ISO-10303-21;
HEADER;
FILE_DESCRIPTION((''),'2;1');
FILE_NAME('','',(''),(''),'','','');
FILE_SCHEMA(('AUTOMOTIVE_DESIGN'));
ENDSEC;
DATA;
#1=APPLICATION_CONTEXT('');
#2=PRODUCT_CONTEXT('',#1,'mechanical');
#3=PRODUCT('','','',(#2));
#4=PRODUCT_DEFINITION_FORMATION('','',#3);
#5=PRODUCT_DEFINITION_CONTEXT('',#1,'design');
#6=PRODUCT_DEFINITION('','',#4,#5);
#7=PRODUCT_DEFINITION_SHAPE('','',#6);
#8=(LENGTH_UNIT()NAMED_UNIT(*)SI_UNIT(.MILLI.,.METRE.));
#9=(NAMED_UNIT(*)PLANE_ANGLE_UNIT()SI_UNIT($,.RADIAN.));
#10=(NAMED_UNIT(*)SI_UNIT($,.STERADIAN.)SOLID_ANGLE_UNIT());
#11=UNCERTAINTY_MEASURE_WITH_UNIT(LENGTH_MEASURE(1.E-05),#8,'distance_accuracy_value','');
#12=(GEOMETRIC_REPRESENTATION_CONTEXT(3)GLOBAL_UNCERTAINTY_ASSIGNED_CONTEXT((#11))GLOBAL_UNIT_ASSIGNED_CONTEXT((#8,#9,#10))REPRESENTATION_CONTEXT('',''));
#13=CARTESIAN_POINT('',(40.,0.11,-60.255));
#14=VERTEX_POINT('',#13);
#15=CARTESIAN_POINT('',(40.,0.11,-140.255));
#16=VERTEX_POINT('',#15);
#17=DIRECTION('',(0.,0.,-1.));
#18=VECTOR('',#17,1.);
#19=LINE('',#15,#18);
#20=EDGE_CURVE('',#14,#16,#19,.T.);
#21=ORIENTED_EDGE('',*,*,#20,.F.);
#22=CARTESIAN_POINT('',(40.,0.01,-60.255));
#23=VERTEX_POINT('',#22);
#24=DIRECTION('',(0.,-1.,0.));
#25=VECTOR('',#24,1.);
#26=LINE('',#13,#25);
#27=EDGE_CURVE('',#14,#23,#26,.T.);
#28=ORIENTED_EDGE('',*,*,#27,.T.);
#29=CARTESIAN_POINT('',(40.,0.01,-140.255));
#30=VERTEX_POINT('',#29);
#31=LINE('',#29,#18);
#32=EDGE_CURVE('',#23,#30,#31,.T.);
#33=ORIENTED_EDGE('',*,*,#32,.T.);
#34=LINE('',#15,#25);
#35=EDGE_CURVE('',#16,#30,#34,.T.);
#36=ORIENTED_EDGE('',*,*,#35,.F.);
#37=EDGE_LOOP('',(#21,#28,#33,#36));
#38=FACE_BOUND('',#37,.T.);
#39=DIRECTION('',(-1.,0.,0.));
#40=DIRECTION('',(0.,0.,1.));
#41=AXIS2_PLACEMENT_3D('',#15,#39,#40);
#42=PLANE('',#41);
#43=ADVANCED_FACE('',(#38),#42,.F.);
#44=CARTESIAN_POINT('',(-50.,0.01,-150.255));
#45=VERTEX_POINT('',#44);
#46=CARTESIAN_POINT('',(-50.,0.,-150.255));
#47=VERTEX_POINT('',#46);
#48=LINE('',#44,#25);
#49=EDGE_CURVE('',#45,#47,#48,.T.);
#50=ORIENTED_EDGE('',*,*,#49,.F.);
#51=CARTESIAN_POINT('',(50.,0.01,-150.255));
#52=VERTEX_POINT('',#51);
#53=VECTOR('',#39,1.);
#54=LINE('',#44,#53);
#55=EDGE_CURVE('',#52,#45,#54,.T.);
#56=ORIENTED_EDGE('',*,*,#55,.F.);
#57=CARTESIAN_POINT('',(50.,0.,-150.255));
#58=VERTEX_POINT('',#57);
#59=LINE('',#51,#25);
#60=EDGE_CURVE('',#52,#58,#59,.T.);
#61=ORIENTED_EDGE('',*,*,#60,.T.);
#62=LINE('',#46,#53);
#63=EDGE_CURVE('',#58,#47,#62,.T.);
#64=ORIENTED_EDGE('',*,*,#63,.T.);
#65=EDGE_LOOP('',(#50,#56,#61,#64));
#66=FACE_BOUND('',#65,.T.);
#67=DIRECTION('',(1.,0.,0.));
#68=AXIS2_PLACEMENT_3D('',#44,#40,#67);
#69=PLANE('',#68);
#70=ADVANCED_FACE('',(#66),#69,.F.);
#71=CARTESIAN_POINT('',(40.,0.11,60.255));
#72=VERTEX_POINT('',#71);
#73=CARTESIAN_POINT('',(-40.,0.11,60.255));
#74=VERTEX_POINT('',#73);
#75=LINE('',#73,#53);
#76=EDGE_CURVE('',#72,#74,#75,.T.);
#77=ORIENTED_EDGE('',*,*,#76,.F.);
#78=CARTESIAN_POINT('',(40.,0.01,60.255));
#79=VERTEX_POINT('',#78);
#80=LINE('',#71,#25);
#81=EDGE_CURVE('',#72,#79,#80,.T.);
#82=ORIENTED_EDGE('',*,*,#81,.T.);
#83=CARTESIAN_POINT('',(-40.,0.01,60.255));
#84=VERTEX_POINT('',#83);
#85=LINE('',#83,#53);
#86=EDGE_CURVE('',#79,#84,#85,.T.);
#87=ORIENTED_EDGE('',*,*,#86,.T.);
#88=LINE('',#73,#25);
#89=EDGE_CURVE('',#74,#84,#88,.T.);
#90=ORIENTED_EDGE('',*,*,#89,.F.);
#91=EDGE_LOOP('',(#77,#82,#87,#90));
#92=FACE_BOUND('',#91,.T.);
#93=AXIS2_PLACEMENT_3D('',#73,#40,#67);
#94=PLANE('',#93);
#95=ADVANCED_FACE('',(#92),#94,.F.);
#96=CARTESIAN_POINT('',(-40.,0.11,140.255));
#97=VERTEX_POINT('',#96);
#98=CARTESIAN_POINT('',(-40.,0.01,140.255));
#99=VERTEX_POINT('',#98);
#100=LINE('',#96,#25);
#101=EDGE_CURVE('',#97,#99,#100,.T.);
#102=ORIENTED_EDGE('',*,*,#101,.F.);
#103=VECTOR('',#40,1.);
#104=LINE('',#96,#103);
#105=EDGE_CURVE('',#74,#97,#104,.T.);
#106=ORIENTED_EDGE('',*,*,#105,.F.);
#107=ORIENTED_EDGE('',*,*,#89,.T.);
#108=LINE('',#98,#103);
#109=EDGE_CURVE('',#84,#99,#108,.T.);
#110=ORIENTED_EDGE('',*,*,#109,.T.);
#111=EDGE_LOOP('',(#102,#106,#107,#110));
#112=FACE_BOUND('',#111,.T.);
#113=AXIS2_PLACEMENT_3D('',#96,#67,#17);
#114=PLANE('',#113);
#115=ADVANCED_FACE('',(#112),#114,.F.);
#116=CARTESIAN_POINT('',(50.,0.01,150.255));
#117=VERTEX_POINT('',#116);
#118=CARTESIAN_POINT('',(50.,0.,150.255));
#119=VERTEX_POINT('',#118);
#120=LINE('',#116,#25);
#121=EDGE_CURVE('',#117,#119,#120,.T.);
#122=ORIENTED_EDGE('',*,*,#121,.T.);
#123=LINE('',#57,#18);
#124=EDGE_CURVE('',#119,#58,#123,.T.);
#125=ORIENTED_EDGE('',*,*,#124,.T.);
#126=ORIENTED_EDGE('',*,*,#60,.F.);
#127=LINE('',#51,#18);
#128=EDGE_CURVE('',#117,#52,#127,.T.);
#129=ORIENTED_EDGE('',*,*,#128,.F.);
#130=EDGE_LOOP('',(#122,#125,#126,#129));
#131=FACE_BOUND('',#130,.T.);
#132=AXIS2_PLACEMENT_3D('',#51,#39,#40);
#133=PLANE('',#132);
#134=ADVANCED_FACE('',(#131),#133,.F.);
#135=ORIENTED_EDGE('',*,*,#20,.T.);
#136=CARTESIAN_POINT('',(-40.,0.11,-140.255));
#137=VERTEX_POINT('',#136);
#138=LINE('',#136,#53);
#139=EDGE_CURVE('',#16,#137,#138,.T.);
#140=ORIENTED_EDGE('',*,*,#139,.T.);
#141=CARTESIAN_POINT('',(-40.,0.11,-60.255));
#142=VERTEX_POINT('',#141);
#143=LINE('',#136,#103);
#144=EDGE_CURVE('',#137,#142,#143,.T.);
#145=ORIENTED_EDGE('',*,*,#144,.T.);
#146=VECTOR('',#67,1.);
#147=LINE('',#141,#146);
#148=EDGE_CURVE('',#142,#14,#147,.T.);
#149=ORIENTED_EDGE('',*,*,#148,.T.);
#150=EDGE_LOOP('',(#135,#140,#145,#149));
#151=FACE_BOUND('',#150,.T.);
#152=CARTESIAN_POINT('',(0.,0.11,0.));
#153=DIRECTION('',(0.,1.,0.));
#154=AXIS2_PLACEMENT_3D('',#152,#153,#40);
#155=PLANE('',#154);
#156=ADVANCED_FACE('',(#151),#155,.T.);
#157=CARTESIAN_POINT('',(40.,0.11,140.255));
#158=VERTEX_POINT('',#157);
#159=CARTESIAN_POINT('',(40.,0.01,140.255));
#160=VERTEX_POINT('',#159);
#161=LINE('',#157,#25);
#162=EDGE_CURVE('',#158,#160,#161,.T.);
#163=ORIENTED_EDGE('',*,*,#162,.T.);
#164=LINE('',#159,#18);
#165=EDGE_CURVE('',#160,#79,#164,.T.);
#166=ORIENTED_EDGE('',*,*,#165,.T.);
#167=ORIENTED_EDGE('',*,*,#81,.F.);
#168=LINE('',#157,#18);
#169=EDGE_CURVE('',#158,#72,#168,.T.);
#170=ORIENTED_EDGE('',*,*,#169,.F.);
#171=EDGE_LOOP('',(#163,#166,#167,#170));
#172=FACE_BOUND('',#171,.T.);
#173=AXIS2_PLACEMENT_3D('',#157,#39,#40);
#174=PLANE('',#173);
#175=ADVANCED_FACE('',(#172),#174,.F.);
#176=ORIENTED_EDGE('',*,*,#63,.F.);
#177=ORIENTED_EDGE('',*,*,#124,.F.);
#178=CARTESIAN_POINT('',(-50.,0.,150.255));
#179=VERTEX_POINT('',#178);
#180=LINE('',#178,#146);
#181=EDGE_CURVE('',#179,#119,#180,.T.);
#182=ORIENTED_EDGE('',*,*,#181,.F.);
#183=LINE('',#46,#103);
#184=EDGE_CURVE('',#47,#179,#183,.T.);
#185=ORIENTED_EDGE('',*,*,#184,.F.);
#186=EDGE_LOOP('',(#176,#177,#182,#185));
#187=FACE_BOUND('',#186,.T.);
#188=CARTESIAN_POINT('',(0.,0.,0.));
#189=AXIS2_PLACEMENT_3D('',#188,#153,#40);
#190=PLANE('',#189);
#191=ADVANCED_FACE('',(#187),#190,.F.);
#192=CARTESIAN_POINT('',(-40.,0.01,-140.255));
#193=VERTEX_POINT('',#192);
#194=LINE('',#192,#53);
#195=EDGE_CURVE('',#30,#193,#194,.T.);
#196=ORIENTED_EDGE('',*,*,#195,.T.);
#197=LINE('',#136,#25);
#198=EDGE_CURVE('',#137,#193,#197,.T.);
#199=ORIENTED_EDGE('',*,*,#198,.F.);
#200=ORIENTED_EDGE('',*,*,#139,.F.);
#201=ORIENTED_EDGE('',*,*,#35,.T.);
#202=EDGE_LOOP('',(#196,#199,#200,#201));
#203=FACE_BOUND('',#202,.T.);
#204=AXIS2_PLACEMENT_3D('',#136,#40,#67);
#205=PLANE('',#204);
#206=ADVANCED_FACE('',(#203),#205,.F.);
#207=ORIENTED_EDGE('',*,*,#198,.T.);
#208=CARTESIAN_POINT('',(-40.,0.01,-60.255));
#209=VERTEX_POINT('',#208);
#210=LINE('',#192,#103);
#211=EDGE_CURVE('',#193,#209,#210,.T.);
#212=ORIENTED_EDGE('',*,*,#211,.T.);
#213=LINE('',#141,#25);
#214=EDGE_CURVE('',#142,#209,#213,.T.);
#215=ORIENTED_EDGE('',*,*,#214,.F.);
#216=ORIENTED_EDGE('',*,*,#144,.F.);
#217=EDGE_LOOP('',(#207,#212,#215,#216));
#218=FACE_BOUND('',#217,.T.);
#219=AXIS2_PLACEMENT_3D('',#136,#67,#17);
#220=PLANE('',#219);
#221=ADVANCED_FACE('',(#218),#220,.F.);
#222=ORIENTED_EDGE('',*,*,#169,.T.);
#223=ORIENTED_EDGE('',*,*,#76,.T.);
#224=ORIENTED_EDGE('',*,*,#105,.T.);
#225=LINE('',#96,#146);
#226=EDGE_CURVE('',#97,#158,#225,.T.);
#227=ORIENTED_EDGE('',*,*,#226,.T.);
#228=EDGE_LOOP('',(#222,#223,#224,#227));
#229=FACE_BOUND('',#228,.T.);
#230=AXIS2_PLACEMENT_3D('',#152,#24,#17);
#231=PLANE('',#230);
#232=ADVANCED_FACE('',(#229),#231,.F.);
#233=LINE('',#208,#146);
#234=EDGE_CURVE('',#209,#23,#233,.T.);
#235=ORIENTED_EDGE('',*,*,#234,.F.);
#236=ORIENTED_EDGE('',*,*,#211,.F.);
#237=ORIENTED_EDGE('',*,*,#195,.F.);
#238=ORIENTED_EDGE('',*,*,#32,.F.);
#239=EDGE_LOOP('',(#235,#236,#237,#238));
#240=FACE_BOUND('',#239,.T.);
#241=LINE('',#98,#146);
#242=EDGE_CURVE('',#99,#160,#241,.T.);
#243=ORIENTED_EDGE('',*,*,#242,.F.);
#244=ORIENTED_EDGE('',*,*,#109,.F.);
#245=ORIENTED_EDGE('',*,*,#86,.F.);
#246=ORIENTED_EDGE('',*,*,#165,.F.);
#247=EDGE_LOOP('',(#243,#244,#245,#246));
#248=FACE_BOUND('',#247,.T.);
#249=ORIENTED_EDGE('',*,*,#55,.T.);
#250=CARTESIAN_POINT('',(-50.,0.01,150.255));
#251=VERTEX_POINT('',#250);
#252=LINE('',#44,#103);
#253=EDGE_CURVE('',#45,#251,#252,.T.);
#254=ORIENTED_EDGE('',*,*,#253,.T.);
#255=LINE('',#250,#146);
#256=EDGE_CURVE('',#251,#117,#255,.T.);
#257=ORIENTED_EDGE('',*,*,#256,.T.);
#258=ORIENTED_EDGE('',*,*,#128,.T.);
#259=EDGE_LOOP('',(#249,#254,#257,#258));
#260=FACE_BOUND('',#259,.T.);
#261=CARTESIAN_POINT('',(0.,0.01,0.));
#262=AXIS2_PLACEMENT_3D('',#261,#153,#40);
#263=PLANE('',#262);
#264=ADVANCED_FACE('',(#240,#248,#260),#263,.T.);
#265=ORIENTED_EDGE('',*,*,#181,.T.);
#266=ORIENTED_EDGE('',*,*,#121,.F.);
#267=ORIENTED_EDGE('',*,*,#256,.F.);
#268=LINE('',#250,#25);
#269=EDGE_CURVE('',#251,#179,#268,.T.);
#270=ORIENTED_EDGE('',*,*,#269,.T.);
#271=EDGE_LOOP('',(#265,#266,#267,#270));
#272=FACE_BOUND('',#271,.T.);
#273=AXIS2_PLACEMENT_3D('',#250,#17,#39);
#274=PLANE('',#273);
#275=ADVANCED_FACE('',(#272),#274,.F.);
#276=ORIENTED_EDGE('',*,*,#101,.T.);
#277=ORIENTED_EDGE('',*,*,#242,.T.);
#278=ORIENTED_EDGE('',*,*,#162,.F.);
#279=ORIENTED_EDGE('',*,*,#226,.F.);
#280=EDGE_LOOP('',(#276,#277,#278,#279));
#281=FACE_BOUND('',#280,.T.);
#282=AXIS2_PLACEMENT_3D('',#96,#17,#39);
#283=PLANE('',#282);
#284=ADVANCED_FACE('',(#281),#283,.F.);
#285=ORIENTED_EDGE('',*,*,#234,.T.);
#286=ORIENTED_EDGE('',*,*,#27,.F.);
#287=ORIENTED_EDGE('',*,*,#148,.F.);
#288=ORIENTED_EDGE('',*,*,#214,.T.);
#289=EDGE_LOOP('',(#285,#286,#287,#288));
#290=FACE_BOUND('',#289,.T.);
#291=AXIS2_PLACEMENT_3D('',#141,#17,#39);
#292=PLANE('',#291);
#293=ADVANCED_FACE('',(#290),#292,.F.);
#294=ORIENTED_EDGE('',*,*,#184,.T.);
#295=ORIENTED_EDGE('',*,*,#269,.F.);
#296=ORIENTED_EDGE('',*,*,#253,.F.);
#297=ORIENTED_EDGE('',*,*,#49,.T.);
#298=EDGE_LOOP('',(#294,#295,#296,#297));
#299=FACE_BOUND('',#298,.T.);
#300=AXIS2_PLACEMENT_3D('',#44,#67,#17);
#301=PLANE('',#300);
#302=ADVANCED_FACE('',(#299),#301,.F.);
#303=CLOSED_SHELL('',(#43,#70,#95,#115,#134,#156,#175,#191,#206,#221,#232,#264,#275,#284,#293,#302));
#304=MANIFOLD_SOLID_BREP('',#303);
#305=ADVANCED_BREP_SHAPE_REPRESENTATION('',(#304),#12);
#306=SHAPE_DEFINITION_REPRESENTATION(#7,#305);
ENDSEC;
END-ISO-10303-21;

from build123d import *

# Parameters (mm, degrees)
SKETCH1_W           = 100
SKETCH1_H           = 300.51
BOSS_EXTRUDE1_DEPTH = 0.01
SKETCH2_W           = 80
SKETCH2_H           = 80
BOSS_EXTRUDE2_DEPTH = 0.1


with BuildPart() as part:
    # Sketch1 → Boss-Extrude1 (new body)
    with BuildSketch(Plane(origin=(0, 0, 0), x_dir=(1, 0, 0), z_dir=(0, 1, 0))):
        Rectangle(SKETCH1_W, SKETCH1_H)
    extrude(amount=BOSS_EXTRUDE1_DEPTH)

    # Sketch2 → Boss-Extrude2 (add)
    with BuildSketch(Plane(origin=(0, 0.01, 0), x_dir=(1, 0, 0), z_dir=(0, 1, 0))):
        with Locations((0, -100.255)):
            Rectangle(SKETCH2_W, SKETCH2_H)
        with Locations((0, 100.255)):
            Rectangle(SKETCH2_W, SKETCH2_H)
    extrude(amount=BOSS_EXTRUDE2_DEPTH)


solid = part.part
